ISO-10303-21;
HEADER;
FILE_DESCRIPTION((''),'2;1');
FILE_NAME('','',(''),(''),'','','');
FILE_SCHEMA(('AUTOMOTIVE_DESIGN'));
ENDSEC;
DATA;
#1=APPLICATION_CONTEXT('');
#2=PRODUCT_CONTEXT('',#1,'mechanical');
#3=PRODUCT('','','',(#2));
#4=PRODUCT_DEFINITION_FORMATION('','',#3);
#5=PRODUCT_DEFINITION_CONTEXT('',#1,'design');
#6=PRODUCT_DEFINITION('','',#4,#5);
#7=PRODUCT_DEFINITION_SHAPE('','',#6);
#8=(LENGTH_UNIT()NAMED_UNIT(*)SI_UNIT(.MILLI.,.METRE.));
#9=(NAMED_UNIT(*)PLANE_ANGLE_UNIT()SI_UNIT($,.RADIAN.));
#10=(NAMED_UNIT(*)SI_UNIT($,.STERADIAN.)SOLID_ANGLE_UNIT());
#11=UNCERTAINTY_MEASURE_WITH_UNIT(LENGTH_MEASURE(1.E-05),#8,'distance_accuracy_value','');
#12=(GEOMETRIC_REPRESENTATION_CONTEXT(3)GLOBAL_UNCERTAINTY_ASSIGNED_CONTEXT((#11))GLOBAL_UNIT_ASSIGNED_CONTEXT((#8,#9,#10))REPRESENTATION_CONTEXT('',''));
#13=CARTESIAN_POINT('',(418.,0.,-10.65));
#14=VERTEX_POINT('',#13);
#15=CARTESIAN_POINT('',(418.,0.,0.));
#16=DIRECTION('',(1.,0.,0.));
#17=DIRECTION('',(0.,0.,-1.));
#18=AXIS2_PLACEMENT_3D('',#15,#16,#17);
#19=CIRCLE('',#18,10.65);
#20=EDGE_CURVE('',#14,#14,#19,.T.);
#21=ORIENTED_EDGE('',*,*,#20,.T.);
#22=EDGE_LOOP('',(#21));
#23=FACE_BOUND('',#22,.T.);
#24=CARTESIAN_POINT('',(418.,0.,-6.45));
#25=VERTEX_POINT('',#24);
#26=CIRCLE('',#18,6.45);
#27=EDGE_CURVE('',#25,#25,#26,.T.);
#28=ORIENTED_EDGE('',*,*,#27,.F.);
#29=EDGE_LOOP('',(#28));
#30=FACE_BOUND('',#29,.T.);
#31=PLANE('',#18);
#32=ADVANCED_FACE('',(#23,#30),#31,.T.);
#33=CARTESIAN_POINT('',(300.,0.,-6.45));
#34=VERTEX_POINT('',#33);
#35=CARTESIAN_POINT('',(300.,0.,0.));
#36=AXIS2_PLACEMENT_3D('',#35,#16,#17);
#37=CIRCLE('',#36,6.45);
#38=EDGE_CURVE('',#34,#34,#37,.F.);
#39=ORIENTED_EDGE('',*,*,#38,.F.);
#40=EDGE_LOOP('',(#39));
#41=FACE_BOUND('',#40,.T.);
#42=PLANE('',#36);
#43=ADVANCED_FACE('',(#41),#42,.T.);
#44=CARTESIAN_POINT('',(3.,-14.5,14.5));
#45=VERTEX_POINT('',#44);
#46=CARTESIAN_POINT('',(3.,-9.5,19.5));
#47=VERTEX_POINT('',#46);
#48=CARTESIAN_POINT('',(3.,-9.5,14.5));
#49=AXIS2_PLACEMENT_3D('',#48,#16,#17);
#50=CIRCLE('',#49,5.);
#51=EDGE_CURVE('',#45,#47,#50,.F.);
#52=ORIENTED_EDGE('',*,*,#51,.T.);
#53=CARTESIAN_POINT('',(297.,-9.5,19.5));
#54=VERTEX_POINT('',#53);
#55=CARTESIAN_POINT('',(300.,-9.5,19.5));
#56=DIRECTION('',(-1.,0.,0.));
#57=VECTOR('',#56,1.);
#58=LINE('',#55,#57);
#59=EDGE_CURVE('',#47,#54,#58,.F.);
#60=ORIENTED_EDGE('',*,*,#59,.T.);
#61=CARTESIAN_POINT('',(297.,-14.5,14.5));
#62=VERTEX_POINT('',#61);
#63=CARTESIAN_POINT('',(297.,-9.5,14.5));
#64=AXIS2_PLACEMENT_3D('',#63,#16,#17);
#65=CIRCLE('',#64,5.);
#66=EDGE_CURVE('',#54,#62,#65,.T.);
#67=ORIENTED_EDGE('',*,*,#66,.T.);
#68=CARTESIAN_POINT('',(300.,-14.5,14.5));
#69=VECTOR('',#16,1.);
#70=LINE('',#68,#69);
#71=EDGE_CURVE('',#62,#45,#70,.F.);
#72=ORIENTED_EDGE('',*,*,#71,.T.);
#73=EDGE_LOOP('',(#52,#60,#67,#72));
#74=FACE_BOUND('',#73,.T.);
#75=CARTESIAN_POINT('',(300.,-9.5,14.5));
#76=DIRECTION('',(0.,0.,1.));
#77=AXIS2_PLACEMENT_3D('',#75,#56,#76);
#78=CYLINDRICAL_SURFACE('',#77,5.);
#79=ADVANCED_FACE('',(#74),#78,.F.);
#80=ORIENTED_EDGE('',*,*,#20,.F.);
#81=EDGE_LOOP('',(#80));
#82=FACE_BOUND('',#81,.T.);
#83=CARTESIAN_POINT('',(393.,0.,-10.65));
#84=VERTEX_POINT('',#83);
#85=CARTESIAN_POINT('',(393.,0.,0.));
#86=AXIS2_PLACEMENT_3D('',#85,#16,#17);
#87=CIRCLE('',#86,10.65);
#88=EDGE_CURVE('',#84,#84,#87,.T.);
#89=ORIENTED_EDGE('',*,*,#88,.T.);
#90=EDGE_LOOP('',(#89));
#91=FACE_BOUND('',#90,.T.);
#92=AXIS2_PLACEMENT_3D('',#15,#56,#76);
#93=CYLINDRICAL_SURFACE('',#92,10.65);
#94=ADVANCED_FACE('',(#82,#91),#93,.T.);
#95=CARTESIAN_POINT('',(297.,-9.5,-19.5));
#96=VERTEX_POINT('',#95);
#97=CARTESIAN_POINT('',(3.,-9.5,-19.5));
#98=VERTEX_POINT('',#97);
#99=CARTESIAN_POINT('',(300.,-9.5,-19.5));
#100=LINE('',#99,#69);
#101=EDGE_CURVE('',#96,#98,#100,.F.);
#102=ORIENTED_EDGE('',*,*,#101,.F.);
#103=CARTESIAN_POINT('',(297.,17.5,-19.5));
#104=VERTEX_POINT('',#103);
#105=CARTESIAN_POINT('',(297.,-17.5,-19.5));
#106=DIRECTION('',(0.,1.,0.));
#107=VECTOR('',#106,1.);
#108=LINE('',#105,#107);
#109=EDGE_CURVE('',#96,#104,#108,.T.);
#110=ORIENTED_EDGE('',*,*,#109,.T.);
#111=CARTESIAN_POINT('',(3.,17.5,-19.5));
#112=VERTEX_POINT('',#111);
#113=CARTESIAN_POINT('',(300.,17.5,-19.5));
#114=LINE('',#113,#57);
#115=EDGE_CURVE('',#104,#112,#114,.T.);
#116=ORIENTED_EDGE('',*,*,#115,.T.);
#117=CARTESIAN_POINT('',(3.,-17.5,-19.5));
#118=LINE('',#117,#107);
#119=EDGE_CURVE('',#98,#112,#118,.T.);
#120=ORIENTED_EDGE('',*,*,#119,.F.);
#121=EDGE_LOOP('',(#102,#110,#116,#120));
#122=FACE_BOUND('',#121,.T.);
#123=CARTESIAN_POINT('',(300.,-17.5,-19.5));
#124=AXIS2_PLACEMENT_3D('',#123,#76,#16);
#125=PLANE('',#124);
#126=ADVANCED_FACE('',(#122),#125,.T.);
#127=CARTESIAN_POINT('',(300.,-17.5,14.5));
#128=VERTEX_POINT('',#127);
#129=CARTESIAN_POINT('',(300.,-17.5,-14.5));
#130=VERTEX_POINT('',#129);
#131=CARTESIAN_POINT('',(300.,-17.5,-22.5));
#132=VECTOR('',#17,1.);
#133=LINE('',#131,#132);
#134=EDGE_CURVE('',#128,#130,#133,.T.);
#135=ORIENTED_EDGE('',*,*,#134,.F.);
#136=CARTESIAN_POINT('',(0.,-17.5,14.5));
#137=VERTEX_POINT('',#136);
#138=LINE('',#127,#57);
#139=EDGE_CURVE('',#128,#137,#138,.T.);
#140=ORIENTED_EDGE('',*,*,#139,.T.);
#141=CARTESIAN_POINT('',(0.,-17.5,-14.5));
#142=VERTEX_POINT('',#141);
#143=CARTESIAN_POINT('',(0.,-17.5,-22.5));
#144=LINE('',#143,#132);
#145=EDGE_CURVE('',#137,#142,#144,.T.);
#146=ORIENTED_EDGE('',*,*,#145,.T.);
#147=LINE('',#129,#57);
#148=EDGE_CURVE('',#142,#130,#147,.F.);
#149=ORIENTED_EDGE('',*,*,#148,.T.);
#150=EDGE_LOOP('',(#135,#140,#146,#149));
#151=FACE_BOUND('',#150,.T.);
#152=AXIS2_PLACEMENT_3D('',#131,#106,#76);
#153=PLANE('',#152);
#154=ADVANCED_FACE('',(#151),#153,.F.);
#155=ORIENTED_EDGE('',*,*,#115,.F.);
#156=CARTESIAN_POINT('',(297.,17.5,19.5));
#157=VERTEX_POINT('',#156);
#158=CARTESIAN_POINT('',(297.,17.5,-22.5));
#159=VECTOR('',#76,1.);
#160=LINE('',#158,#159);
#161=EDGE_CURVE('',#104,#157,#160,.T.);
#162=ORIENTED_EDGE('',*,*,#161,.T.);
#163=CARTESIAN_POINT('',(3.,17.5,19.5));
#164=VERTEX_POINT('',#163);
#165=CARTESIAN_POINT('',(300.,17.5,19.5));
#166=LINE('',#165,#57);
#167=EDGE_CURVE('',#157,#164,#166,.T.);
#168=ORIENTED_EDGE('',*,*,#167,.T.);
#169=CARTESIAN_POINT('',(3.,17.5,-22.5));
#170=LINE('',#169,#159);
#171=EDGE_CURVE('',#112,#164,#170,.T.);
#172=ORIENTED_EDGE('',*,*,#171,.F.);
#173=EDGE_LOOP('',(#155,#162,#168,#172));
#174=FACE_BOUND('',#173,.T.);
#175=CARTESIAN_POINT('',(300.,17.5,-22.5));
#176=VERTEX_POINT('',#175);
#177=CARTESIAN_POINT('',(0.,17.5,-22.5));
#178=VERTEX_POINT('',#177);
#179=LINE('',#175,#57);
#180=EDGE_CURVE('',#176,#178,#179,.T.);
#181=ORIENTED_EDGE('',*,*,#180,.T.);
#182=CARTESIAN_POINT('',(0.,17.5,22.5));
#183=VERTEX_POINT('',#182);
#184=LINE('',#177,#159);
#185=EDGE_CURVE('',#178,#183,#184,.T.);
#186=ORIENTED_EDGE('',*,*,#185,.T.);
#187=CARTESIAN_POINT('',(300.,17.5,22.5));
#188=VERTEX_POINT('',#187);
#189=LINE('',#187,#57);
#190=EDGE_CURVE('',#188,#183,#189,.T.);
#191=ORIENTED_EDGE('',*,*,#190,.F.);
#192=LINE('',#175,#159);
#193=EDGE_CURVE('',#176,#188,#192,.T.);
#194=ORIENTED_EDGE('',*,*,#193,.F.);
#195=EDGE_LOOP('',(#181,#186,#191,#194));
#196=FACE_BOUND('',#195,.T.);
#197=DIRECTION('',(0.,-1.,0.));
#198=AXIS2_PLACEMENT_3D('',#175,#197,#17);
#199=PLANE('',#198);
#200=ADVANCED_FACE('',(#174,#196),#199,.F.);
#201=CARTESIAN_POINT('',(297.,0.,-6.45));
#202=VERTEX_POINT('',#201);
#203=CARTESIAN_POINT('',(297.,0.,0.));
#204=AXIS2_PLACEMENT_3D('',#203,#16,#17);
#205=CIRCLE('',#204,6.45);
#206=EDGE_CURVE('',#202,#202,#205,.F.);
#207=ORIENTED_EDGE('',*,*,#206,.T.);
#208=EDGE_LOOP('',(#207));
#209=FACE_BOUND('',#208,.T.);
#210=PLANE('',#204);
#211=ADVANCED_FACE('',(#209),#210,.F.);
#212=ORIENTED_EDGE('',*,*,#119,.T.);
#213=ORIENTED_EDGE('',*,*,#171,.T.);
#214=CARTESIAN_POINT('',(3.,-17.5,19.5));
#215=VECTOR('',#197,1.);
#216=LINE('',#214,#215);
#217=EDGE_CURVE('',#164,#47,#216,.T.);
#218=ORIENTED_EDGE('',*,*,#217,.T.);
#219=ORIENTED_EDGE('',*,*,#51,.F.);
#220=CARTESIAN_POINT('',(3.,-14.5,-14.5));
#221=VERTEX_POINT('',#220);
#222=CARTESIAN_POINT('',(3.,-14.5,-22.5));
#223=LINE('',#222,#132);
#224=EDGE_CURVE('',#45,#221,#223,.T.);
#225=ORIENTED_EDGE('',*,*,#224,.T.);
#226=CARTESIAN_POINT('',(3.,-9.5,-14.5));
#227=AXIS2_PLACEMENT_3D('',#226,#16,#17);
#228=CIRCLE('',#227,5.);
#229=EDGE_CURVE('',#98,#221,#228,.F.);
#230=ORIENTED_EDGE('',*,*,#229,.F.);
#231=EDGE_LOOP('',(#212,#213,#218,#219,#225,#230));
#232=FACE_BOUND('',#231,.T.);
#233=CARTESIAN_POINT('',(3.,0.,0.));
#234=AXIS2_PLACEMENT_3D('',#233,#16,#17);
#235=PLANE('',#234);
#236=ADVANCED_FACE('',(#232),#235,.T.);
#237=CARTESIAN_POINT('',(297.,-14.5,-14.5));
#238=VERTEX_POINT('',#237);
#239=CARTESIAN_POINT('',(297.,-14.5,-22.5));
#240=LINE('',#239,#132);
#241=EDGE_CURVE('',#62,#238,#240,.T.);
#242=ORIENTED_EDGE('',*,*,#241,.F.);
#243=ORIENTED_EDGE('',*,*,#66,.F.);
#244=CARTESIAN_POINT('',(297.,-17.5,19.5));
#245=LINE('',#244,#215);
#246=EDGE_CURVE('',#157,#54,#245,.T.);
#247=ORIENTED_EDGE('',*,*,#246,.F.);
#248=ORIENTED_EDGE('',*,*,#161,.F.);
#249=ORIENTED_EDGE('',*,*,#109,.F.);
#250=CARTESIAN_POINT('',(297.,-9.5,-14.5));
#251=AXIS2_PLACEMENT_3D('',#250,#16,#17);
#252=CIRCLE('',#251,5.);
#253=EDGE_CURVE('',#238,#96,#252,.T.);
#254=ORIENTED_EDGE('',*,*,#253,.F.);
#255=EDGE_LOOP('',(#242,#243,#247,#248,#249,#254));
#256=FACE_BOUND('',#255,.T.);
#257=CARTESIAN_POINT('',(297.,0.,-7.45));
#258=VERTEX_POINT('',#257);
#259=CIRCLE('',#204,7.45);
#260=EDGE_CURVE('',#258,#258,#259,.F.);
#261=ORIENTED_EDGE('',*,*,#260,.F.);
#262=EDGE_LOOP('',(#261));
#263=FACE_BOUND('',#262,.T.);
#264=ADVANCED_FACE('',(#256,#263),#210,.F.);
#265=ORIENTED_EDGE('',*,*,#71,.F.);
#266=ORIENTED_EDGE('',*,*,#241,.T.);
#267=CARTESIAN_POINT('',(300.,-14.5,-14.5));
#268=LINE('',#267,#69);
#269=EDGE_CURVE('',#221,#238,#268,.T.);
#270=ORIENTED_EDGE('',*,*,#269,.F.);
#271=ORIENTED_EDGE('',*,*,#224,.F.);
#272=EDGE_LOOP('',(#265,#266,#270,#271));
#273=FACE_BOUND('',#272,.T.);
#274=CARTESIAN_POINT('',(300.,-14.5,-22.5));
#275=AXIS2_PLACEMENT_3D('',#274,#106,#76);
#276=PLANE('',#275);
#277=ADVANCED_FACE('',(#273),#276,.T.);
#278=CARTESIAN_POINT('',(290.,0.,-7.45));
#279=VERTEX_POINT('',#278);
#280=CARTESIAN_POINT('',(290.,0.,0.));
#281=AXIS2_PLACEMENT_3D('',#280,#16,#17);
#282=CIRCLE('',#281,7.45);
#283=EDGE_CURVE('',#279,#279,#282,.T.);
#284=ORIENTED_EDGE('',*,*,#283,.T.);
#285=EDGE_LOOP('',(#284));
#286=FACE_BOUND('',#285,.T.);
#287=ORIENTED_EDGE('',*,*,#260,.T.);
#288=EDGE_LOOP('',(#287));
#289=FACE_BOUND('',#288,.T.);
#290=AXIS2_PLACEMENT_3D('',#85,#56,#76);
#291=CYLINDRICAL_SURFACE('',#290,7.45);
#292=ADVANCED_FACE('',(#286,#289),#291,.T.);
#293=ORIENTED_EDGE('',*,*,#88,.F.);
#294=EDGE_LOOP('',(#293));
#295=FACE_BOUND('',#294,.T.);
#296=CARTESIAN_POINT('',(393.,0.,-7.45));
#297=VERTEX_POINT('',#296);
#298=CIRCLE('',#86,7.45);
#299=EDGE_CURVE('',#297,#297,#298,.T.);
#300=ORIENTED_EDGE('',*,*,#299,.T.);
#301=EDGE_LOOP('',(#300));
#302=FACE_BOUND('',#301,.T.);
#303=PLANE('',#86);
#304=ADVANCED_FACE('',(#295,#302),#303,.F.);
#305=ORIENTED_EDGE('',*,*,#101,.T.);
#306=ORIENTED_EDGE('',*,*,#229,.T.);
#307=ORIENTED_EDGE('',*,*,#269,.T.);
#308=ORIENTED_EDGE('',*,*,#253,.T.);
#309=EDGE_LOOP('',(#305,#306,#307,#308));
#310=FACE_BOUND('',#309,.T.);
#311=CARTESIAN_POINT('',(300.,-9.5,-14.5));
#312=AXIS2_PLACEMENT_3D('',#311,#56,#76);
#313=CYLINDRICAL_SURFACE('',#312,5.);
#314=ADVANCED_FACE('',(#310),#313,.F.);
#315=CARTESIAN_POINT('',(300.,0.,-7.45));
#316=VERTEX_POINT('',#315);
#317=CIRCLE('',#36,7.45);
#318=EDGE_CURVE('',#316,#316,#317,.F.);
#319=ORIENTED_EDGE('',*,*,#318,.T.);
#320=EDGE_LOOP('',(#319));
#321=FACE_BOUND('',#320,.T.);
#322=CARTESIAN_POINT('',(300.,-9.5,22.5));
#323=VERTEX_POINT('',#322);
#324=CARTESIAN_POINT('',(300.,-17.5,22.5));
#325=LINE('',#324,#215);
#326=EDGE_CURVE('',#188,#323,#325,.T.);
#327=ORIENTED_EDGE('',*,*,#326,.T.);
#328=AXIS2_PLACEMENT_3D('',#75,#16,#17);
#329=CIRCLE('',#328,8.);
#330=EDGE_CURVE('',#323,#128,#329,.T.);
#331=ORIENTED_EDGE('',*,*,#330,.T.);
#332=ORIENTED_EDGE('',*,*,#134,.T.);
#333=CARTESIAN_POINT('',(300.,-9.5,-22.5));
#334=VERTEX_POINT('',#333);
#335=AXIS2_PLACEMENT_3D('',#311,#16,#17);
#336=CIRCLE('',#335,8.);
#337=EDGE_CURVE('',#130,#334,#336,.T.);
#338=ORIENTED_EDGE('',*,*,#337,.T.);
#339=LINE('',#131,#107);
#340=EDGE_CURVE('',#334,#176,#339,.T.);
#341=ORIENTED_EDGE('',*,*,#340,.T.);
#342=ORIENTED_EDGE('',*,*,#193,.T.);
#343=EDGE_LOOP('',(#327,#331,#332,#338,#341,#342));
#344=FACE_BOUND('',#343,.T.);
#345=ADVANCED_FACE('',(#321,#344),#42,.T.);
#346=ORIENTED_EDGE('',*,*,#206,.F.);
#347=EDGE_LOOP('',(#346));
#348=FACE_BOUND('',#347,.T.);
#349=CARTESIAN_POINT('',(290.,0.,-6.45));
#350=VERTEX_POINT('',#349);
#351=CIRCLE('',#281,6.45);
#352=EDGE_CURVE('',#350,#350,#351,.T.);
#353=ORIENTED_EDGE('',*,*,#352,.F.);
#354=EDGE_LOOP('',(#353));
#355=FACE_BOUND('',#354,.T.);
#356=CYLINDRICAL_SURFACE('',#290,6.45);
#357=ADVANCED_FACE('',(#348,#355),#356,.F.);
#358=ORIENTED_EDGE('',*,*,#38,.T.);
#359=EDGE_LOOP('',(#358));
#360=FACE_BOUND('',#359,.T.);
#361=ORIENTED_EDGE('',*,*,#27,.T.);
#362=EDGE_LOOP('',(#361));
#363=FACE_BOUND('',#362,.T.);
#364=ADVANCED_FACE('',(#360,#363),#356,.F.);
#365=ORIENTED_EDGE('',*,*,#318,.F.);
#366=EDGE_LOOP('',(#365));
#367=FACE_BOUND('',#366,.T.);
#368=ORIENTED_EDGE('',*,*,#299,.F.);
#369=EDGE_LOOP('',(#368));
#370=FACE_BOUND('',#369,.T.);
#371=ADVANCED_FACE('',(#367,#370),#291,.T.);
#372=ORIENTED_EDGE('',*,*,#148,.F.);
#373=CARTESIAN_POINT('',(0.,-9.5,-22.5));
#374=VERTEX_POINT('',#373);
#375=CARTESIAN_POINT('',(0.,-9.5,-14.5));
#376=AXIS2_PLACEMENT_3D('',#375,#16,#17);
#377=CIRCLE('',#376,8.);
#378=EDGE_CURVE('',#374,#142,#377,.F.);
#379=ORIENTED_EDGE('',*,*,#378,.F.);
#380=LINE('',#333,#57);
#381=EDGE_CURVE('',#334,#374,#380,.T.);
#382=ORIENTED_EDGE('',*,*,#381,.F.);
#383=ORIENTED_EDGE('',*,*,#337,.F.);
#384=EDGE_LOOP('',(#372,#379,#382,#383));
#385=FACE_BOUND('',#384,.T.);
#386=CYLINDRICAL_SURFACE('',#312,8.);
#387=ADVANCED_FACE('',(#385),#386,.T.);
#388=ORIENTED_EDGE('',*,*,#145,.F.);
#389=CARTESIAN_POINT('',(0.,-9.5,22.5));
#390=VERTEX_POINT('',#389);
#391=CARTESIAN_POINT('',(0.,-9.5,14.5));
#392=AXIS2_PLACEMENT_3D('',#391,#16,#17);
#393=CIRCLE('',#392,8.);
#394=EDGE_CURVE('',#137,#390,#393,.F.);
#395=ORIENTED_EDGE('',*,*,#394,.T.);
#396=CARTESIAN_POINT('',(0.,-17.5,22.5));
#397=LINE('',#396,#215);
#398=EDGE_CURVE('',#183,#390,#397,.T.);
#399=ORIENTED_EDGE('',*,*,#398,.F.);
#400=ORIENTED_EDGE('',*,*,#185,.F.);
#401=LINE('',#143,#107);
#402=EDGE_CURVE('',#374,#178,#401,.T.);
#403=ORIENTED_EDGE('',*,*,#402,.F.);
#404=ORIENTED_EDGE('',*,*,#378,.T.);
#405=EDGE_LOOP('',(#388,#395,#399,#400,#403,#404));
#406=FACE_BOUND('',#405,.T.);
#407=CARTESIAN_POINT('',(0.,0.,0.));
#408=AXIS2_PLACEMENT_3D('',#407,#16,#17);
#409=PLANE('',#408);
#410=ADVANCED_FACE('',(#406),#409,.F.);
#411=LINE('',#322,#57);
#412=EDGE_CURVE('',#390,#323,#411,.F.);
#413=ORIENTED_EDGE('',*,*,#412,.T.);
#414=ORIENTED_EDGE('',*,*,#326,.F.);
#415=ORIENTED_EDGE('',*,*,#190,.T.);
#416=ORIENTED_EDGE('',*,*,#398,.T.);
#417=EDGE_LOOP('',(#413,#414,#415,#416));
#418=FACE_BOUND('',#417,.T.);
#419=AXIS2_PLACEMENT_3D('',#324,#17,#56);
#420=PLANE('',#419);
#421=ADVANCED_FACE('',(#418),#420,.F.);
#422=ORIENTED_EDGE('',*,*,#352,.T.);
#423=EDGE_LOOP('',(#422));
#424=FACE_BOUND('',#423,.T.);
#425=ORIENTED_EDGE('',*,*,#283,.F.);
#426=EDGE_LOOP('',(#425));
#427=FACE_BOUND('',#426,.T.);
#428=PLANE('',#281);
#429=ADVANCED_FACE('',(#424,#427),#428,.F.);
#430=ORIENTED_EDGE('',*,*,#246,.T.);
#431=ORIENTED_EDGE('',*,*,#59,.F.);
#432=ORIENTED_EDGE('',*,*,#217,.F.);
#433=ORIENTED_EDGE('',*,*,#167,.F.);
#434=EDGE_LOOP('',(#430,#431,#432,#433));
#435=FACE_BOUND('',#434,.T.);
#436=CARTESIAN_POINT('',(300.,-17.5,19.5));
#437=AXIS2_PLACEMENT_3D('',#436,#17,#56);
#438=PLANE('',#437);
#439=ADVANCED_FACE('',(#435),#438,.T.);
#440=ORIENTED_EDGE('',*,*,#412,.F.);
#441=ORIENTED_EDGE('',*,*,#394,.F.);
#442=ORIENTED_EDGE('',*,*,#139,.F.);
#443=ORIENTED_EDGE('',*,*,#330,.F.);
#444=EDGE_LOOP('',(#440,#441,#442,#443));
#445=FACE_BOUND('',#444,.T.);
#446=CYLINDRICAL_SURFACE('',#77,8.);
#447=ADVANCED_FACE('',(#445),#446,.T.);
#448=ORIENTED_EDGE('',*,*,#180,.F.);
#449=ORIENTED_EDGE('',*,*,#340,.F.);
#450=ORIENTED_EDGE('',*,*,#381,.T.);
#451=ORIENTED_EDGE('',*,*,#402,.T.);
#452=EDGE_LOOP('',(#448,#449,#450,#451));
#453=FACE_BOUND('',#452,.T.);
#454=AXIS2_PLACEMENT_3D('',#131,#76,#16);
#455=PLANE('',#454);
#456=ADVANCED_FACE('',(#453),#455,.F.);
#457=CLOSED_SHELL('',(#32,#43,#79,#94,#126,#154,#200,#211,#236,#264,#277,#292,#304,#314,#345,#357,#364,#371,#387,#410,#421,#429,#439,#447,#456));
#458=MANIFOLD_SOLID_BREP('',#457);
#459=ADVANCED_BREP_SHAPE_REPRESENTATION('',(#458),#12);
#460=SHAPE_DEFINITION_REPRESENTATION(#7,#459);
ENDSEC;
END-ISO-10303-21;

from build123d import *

# Parameters (mm, degrees)
SKETCH1_W           = 45
SKETCH1_H           = 35
BOSS_EXTRUDE1_DEPTH = 300
FILLET1_R           = 8
SHELL1_T            = -3
SKETCH3_R           = 7.45
SKETCH3_R_2         = 6.45
BOSS_EXTRUDE2_DEPTH = 103
SKETCH4_R           = 10.65
SKETCH4_R_2         = 6.45
BOSS_EXTRUDE3_DEPTH = 25


with BuildPart() as part:
    # Sketch1 → Boss-Extrude1 (new body)
    with BuildSketch(Plane(origin=(0, 0, 0), x_dir=(0, 0, -1), z_dir=(1, 0, 0))):
        Rectangle(SKETCH1_W, SKETCH1_H)
    extrude(amount=BOSS_EXTRUDE1_DEPTH)

    # Fillet1
    fillet1_edges = [part.edges().sort_by_distance(p)[0] for p in [
        (150, -17.5, -22.5),
        (150, -17.5, 22.5),
    ]]
    fillet(fillet1_edges, radius=FILLET1_R)

    # Shell1
    shell1_openings = [part.faces().sort_by_distance(p)[0] for p in [
        (150, 17.5, 0),
    ]]
    offset(amount=SHELL1_T, openings=shell1_openings, kind=Kind.INTERSECTION)

    # Sketch3 → Boss-Extrude2 (add)
    with BuildSketch(Plane(origin=(290, 0, 0), x_dir=(0, 0, -1), z_dir=(1, 0, 0))):
        Circle(SKETCH3_R)
        Circle(SKETCH3_R_2, mode=Mode.SUBTRACT)
    extrude(amount=BOSS_EXTRUDE2_DEPTH)

    # Sketch4 → Boss-Extrude3 (add)
    with BuildSketch(Plane(origin=(393, 0, 0), x_dir=(0, 0, -1), z_dir=(1, 0, 0))):
        Circle(SKETCH4_R)
        Circle(SKETCH4_R_2, mode=Mode.SUBTRACT)
    extrude(amount=BOSS_EXTRUDE3_DEPTH)


solid = part.part
